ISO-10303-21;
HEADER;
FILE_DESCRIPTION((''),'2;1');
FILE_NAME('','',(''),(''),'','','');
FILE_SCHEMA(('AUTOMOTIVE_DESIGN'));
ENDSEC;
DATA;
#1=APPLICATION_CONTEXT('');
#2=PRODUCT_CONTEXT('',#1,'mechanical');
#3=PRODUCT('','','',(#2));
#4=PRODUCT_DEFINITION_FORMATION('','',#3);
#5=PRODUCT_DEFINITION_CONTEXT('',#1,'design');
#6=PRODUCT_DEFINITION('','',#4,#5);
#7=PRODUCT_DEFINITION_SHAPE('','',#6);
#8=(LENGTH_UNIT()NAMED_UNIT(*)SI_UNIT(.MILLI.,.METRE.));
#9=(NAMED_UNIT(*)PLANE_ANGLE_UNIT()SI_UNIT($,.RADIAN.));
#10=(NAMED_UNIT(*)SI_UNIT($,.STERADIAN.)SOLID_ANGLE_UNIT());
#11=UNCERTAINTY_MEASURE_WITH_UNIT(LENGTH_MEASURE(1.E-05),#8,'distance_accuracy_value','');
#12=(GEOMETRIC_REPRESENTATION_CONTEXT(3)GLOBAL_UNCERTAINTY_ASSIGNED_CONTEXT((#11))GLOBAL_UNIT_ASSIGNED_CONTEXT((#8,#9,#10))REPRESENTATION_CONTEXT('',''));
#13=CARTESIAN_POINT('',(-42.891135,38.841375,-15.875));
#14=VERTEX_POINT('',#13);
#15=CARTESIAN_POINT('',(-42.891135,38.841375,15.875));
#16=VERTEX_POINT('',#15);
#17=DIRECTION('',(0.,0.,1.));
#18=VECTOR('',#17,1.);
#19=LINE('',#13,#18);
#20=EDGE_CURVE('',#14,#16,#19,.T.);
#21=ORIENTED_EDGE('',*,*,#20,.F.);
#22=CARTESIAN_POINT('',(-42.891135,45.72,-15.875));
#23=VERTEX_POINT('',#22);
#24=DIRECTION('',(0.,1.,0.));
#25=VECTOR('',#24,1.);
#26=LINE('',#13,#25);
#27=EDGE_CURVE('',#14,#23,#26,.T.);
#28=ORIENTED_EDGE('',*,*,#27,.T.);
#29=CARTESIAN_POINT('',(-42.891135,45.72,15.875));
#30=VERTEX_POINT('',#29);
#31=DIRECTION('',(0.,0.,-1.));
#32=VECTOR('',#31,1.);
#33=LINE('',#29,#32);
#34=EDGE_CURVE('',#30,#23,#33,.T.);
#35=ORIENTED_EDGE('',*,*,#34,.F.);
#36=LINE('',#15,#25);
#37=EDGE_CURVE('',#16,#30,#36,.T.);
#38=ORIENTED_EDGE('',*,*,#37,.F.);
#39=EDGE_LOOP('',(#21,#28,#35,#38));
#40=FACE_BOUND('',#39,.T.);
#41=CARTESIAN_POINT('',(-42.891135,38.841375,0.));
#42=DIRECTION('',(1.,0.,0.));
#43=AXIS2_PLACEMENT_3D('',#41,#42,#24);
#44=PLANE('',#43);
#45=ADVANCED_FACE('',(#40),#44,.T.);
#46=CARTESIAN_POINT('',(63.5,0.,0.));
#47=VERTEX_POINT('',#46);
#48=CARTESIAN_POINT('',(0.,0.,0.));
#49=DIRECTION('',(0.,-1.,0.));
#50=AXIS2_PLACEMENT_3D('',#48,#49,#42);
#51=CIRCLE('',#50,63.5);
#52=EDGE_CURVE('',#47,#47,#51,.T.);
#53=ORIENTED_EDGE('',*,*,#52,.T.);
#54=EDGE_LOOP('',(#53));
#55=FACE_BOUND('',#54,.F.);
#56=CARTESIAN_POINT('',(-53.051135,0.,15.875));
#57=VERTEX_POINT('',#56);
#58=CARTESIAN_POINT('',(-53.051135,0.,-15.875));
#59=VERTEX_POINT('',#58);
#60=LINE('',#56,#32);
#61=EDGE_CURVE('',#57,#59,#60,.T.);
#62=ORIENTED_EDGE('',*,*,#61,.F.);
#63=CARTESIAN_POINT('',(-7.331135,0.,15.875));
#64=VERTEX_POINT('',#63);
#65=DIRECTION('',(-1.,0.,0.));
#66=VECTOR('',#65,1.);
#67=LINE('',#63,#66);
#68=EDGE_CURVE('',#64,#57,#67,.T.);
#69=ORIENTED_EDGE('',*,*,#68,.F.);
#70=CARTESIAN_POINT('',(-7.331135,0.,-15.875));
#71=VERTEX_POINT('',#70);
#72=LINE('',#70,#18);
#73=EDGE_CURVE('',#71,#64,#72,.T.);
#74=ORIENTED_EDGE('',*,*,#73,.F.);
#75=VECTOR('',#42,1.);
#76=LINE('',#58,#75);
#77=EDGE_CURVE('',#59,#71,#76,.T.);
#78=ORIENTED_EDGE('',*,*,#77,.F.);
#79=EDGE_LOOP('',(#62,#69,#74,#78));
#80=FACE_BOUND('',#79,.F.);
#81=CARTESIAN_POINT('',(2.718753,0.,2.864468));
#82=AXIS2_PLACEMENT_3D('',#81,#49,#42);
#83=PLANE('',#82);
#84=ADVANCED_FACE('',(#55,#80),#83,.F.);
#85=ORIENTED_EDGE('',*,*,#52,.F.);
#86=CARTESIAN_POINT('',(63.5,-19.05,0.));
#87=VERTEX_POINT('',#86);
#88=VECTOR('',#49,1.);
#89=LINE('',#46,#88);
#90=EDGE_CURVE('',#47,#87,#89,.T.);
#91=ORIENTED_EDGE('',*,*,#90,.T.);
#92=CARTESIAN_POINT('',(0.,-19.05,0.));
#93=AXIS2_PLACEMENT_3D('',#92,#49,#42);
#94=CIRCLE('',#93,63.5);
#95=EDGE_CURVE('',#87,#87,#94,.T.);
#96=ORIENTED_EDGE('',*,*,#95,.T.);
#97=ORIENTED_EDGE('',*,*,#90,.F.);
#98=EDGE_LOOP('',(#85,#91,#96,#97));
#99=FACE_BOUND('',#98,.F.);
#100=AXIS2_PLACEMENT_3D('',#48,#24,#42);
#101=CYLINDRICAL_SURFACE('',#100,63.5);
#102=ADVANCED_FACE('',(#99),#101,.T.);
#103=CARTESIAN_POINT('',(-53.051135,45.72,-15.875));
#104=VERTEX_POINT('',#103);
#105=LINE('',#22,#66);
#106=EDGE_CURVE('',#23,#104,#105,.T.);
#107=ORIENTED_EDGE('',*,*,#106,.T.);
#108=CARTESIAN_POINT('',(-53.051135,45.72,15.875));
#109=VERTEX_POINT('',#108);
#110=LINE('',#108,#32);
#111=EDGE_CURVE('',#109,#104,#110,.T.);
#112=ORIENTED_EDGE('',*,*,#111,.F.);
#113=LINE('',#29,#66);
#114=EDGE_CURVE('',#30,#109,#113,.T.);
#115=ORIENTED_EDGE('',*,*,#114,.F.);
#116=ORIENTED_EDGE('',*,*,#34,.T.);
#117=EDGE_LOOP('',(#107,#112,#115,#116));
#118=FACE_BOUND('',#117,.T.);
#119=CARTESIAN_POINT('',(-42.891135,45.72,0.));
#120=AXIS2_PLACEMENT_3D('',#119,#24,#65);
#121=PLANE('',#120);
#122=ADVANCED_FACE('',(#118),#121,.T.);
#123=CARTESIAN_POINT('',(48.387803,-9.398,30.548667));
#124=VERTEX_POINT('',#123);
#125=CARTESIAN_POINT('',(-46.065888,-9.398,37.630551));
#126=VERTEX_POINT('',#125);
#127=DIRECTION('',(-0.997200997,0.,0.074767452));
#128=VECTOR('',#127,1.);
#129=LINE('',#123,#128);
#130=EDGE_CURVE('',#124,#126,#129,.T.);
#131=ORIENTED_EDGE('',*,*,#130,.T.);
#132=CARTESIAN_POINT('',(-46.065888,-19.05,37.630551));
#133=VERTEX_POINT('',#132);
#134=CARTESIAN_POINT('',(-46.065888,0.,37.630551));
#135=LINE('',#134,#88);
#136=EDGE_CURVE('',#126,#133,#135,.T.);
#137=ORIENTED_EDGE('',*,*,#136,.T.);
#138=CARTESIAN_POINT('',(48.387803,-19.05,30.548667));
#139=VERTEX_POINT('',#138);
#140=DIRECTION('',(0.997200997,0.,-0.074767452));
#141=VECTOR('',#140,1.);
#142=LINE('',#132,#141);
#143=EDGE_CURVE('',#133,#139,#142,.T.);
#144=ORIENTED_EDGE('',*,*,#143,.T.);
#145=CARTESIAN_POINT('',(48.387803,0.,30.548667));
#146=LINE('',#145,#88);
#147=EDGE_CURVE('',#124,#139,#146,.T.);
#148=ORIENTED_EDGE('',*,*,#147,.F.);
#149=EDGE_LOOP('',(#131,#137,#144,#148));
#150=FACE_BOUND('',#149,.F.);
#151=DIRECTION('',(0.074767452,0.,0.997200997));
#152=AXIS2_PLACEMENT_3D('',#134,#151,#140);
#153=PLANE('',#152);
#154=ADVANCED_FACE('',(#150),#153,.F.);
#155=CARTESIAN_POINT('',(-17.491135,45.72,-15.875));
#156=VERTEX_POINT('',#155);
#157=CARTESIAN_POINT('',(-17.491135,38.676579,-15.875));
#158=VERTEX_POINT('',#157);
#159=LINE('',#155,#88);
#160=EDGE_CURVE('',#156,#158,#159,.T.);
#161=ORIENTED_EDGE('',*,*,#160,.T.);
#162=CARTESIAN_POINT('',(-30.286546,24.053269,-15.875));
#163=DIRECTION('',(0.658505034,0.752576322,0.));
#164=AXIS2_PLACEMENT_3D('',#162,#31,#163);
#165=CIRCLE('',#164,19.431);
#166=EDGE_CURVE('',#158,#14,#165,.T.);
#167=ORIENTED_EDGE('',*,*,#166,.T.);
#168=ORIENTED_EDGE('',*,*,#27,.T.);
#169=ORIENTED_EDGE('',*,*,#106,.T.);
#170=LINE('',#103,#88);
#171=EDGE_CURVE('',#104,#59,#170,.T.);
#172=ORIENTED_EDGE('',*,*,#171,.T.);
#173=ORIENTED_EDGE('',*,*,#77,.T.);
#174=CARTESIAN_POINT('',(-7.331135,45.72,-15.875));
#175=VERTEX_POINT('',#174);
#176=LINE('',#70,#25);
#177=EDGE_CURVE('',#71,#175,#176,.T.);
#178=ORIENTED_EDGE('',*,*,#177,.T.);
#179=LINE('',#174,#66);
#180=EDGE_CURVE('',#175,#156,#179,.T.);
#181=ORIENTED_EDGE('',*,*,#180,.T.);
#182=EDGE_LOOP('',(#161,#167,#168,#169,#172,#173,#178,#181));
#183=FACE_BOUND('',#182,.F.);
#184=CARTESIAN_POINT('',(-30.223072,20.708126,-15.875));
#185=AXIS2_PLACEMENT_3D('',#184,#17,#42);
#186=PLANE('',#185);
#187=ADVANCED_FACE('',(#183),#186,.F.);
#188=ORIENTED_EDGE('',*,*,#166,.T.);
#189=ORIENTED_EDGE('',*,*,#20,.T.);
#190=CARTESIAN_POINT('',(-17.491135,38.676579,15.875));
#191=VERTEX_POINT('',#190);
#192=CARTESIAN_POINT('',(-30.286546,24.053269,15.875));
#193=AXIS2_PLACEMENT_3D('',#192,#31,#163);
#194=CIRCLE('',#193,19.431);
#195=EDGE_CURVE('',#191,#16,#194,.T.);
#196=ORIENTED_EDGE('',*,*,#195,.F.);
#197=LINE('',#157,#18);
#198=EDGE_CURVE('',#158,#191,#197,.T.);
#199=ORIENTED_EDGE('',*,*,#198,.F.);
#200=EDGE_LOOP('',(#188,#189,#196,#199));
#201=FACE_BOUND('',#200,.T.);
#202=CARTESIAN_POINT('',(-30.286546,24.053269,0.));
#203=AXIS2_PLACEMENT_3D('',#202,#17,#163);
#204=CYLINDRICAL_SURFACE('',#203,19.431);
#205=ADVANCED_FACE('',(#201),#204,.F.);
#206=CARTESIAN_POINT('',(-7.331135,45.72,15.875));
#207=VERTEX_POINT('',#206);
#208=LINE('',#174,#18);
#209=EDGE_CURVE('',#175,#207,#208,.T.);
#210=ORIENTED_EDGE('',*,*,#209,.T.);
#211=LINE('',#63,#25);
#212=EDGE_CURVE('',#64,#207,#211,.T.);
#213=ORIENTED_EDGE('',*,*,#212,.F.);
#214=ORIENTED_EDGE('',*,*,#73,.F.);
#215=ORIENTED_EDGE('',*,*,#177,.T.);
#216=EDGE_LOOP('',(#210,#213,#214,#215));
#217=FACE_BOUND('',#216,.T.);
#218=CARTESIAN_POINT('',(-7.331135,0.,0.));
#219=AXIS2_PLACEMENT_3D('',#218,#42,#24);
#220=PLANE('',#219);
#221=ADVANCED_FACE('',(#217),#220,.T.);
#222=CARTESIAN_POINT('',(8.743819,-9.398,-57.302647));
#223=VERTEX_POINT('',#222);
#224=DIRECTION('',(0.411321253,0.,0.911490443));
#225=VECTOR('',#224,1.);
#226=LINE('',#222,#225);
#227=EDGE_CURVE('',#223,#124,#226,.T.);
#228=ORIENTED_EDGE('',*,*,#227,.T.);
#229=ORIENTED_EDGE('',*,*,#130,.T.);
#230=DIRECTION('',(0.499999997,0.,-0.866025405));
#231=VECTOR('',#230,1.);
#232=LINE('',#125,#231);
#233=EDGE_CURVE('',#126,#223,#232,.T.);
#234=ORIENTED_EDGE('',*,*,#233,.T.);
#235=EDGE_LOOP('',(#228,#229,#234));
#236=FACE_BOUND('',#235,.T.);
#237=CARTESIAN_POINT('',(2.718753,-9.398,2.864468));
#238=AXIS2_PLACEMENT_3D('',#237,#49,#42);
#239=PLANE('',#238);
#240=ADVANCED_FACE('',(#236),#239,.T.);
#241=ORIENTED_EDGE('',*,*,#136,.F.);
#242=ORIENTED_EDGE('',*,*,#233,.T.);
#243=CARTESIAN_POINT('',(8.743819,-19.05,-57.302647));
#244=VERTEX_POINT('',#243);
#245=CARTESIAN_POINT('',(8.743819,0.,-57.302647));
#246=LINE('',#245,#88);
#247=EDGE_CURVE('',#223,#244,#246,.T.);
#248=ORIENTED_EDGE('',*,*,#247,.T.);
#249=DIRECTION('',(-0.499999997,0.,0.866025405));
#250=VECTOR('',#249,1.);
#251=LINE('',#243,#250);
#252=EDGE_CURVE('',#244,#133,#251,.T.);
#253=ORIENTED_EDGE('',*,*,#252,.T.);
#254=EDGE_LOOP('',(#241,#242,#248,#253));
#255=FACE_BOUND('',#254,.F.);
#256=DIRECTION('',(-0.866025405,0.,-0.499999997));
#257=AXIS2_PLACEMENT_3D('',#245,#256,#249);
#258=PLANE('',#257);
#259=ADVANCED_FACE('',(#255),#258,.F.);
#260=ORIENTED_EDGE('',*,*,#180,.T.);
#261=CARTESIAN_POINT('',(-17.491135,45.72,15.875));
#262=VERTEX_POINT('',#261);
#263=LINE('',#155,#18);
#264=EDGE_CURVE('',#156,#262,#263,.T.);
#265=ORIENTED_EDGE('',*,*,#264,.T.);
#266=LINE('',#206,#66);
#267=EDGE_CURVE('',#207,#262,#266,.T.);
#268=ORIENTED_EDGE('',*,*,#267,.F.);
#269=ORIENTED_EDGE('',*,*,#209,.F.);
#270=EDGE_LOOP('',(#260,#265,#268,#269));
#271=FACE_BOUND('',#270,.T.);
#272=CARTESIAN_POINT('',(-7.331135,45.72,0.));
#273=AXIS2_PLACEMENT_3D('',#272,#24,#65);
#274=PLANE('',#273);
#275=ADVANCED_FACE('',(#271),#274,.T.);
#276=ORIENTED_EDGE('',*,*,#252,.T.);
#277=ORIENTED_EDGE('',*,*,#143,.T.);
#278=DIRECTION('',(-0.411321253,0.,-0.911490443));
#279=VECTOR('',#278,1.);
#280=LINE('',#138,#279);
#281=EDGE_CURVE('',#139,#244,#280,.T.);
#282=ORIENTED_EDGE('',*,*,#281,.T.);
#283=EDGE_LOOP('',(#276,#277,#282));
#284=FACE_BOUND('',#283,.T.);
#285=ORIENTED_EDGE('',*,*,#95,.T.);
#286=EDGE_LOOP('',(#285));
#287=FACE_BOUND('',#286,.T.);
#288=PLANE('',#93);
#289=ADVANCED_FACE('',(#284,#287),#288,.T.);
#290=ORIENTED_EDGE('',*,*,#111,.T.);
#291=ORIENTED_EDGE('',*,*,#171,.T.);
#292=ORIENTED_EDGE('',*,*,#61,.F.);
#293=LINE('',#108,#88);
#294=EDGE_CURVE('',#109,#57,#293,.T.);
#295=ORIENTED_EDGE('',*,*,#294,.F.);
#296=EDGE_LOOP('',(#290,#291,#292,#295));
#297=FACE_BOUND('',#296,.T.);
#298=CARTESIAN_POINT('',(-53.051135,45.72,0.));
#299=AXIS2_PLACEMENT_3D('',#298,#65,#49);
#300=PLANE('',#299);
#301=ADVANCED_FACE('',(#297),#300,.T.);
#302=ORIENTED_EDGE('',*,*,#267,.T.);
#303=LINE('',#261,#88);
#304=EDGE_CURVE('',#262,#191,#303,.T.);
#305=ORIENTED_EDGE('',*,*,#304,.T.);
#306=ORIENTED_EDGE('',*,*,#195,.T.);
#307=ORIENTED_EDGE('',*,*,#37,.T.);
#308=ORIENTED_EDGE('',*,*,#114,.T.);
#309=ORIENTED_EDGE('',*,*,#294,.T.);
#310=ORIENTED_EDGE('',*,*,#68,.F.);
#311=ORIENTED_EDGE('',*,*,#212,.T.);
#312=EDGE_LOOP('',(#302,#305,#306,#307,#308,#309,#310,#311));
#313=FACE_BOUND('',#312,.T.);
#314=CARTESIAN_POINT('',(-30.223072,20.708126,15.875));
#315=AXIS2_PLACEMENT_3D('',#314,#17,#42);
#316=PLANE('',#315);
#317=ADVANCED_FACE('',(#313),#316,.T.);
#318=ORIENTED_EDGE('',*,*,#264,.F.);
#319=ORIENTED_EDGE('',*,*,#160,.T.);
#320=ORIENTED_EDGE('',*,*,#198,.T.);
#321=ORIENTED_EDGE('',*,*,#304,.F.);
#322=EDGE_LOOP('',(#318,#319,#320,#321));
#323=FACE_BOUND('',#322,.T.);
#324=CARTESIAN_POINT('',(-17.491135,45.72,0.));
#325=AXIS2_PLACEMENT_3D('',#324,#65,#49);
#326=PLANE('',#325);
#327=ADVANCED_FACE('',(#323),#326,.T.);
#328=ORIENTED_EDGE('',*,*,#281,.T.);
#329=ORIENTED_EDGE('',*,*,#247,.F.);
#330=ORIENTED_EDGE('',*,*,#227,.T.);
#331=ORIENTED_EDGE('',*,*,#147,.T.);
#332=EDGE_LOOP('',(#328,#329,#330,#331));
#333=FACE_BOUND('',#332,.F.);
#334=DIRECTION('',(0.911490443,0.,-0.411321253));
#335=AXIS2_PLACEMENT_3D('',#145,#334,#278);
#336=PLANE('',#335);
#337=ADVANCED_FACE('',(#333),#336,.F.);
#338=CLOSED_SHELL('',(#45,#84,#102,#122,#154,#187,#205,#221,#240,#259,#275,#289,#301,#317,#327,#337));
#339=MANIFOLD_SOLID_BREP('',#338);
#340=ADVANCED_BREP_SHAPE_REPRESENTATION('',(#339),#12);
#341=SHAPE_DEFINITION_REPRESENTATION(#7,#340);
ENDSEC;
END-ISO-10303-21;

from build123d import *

# Parameters (mm, degrees)
F0_R     = 63.5
F1_DEPTH = 19.05
F3_DEPTH = 9.398
F5_DEPTH = 15.875
F6_DEPTH = 6.35


with BuildPart() as f1:
    # F0 (on Front) → F1 (new body)
    with BuildSketch(Plane.XZ):
        Circle(F0_R)
        Polygon((8.743819, -57.302647), (-46.065888, 37.630551), (48.387803, 30.548667), align=None, mode=Mode.SUBTRACT)
    extrude(amount=F1_DEPTH)

    # F0 (on Front) → F3 (join)
    with BuildSketch(Plane.XZ):
        Polygon((48.387803, 30.548667), (-46.065888, 37.630551), (8.743819, -57.302647), align=None)
    extrude(amount=F3_DEPTH)

    # F4 (on Top) → F5 (join, symmetric)
    with BuildSketch(Plane.XY):
        with BuildLine():
            Line((-53.051135, 0), (-7.331135, 0))
            Line((-7.331135, 0), (-7.331135, 45.72))
            Line((-7.331135, 45.72), (-17.491135, 45.72))
            Line((-17.491135, 45.72), (-17.491135, 38.676579))
            ThreePointArc((-17.491135, 38.676579), (-30.412613, 4.622678), (-42.891135, 38.841375))
            Line((-42.891135, 38.841375), (-42.891135, 45.72))
            Line((-42.891135, 45.72), (-53.051135, 45.72))
            Line((-53.051135, 45.72), (-53.051135, 0))
        make_face()
    extrude(amount=F5_DEPTH, both=True)

    # F2 (on Front) → F6 (join)
    with BuildSketch(Plane.XZ):
        Polygon((49.277871, 31.809548), (-45.183003, 38.79497), (9.723624, -56.082206), align=None)
    extrude(amount=F6_DEPTH)


solid = f1.part
